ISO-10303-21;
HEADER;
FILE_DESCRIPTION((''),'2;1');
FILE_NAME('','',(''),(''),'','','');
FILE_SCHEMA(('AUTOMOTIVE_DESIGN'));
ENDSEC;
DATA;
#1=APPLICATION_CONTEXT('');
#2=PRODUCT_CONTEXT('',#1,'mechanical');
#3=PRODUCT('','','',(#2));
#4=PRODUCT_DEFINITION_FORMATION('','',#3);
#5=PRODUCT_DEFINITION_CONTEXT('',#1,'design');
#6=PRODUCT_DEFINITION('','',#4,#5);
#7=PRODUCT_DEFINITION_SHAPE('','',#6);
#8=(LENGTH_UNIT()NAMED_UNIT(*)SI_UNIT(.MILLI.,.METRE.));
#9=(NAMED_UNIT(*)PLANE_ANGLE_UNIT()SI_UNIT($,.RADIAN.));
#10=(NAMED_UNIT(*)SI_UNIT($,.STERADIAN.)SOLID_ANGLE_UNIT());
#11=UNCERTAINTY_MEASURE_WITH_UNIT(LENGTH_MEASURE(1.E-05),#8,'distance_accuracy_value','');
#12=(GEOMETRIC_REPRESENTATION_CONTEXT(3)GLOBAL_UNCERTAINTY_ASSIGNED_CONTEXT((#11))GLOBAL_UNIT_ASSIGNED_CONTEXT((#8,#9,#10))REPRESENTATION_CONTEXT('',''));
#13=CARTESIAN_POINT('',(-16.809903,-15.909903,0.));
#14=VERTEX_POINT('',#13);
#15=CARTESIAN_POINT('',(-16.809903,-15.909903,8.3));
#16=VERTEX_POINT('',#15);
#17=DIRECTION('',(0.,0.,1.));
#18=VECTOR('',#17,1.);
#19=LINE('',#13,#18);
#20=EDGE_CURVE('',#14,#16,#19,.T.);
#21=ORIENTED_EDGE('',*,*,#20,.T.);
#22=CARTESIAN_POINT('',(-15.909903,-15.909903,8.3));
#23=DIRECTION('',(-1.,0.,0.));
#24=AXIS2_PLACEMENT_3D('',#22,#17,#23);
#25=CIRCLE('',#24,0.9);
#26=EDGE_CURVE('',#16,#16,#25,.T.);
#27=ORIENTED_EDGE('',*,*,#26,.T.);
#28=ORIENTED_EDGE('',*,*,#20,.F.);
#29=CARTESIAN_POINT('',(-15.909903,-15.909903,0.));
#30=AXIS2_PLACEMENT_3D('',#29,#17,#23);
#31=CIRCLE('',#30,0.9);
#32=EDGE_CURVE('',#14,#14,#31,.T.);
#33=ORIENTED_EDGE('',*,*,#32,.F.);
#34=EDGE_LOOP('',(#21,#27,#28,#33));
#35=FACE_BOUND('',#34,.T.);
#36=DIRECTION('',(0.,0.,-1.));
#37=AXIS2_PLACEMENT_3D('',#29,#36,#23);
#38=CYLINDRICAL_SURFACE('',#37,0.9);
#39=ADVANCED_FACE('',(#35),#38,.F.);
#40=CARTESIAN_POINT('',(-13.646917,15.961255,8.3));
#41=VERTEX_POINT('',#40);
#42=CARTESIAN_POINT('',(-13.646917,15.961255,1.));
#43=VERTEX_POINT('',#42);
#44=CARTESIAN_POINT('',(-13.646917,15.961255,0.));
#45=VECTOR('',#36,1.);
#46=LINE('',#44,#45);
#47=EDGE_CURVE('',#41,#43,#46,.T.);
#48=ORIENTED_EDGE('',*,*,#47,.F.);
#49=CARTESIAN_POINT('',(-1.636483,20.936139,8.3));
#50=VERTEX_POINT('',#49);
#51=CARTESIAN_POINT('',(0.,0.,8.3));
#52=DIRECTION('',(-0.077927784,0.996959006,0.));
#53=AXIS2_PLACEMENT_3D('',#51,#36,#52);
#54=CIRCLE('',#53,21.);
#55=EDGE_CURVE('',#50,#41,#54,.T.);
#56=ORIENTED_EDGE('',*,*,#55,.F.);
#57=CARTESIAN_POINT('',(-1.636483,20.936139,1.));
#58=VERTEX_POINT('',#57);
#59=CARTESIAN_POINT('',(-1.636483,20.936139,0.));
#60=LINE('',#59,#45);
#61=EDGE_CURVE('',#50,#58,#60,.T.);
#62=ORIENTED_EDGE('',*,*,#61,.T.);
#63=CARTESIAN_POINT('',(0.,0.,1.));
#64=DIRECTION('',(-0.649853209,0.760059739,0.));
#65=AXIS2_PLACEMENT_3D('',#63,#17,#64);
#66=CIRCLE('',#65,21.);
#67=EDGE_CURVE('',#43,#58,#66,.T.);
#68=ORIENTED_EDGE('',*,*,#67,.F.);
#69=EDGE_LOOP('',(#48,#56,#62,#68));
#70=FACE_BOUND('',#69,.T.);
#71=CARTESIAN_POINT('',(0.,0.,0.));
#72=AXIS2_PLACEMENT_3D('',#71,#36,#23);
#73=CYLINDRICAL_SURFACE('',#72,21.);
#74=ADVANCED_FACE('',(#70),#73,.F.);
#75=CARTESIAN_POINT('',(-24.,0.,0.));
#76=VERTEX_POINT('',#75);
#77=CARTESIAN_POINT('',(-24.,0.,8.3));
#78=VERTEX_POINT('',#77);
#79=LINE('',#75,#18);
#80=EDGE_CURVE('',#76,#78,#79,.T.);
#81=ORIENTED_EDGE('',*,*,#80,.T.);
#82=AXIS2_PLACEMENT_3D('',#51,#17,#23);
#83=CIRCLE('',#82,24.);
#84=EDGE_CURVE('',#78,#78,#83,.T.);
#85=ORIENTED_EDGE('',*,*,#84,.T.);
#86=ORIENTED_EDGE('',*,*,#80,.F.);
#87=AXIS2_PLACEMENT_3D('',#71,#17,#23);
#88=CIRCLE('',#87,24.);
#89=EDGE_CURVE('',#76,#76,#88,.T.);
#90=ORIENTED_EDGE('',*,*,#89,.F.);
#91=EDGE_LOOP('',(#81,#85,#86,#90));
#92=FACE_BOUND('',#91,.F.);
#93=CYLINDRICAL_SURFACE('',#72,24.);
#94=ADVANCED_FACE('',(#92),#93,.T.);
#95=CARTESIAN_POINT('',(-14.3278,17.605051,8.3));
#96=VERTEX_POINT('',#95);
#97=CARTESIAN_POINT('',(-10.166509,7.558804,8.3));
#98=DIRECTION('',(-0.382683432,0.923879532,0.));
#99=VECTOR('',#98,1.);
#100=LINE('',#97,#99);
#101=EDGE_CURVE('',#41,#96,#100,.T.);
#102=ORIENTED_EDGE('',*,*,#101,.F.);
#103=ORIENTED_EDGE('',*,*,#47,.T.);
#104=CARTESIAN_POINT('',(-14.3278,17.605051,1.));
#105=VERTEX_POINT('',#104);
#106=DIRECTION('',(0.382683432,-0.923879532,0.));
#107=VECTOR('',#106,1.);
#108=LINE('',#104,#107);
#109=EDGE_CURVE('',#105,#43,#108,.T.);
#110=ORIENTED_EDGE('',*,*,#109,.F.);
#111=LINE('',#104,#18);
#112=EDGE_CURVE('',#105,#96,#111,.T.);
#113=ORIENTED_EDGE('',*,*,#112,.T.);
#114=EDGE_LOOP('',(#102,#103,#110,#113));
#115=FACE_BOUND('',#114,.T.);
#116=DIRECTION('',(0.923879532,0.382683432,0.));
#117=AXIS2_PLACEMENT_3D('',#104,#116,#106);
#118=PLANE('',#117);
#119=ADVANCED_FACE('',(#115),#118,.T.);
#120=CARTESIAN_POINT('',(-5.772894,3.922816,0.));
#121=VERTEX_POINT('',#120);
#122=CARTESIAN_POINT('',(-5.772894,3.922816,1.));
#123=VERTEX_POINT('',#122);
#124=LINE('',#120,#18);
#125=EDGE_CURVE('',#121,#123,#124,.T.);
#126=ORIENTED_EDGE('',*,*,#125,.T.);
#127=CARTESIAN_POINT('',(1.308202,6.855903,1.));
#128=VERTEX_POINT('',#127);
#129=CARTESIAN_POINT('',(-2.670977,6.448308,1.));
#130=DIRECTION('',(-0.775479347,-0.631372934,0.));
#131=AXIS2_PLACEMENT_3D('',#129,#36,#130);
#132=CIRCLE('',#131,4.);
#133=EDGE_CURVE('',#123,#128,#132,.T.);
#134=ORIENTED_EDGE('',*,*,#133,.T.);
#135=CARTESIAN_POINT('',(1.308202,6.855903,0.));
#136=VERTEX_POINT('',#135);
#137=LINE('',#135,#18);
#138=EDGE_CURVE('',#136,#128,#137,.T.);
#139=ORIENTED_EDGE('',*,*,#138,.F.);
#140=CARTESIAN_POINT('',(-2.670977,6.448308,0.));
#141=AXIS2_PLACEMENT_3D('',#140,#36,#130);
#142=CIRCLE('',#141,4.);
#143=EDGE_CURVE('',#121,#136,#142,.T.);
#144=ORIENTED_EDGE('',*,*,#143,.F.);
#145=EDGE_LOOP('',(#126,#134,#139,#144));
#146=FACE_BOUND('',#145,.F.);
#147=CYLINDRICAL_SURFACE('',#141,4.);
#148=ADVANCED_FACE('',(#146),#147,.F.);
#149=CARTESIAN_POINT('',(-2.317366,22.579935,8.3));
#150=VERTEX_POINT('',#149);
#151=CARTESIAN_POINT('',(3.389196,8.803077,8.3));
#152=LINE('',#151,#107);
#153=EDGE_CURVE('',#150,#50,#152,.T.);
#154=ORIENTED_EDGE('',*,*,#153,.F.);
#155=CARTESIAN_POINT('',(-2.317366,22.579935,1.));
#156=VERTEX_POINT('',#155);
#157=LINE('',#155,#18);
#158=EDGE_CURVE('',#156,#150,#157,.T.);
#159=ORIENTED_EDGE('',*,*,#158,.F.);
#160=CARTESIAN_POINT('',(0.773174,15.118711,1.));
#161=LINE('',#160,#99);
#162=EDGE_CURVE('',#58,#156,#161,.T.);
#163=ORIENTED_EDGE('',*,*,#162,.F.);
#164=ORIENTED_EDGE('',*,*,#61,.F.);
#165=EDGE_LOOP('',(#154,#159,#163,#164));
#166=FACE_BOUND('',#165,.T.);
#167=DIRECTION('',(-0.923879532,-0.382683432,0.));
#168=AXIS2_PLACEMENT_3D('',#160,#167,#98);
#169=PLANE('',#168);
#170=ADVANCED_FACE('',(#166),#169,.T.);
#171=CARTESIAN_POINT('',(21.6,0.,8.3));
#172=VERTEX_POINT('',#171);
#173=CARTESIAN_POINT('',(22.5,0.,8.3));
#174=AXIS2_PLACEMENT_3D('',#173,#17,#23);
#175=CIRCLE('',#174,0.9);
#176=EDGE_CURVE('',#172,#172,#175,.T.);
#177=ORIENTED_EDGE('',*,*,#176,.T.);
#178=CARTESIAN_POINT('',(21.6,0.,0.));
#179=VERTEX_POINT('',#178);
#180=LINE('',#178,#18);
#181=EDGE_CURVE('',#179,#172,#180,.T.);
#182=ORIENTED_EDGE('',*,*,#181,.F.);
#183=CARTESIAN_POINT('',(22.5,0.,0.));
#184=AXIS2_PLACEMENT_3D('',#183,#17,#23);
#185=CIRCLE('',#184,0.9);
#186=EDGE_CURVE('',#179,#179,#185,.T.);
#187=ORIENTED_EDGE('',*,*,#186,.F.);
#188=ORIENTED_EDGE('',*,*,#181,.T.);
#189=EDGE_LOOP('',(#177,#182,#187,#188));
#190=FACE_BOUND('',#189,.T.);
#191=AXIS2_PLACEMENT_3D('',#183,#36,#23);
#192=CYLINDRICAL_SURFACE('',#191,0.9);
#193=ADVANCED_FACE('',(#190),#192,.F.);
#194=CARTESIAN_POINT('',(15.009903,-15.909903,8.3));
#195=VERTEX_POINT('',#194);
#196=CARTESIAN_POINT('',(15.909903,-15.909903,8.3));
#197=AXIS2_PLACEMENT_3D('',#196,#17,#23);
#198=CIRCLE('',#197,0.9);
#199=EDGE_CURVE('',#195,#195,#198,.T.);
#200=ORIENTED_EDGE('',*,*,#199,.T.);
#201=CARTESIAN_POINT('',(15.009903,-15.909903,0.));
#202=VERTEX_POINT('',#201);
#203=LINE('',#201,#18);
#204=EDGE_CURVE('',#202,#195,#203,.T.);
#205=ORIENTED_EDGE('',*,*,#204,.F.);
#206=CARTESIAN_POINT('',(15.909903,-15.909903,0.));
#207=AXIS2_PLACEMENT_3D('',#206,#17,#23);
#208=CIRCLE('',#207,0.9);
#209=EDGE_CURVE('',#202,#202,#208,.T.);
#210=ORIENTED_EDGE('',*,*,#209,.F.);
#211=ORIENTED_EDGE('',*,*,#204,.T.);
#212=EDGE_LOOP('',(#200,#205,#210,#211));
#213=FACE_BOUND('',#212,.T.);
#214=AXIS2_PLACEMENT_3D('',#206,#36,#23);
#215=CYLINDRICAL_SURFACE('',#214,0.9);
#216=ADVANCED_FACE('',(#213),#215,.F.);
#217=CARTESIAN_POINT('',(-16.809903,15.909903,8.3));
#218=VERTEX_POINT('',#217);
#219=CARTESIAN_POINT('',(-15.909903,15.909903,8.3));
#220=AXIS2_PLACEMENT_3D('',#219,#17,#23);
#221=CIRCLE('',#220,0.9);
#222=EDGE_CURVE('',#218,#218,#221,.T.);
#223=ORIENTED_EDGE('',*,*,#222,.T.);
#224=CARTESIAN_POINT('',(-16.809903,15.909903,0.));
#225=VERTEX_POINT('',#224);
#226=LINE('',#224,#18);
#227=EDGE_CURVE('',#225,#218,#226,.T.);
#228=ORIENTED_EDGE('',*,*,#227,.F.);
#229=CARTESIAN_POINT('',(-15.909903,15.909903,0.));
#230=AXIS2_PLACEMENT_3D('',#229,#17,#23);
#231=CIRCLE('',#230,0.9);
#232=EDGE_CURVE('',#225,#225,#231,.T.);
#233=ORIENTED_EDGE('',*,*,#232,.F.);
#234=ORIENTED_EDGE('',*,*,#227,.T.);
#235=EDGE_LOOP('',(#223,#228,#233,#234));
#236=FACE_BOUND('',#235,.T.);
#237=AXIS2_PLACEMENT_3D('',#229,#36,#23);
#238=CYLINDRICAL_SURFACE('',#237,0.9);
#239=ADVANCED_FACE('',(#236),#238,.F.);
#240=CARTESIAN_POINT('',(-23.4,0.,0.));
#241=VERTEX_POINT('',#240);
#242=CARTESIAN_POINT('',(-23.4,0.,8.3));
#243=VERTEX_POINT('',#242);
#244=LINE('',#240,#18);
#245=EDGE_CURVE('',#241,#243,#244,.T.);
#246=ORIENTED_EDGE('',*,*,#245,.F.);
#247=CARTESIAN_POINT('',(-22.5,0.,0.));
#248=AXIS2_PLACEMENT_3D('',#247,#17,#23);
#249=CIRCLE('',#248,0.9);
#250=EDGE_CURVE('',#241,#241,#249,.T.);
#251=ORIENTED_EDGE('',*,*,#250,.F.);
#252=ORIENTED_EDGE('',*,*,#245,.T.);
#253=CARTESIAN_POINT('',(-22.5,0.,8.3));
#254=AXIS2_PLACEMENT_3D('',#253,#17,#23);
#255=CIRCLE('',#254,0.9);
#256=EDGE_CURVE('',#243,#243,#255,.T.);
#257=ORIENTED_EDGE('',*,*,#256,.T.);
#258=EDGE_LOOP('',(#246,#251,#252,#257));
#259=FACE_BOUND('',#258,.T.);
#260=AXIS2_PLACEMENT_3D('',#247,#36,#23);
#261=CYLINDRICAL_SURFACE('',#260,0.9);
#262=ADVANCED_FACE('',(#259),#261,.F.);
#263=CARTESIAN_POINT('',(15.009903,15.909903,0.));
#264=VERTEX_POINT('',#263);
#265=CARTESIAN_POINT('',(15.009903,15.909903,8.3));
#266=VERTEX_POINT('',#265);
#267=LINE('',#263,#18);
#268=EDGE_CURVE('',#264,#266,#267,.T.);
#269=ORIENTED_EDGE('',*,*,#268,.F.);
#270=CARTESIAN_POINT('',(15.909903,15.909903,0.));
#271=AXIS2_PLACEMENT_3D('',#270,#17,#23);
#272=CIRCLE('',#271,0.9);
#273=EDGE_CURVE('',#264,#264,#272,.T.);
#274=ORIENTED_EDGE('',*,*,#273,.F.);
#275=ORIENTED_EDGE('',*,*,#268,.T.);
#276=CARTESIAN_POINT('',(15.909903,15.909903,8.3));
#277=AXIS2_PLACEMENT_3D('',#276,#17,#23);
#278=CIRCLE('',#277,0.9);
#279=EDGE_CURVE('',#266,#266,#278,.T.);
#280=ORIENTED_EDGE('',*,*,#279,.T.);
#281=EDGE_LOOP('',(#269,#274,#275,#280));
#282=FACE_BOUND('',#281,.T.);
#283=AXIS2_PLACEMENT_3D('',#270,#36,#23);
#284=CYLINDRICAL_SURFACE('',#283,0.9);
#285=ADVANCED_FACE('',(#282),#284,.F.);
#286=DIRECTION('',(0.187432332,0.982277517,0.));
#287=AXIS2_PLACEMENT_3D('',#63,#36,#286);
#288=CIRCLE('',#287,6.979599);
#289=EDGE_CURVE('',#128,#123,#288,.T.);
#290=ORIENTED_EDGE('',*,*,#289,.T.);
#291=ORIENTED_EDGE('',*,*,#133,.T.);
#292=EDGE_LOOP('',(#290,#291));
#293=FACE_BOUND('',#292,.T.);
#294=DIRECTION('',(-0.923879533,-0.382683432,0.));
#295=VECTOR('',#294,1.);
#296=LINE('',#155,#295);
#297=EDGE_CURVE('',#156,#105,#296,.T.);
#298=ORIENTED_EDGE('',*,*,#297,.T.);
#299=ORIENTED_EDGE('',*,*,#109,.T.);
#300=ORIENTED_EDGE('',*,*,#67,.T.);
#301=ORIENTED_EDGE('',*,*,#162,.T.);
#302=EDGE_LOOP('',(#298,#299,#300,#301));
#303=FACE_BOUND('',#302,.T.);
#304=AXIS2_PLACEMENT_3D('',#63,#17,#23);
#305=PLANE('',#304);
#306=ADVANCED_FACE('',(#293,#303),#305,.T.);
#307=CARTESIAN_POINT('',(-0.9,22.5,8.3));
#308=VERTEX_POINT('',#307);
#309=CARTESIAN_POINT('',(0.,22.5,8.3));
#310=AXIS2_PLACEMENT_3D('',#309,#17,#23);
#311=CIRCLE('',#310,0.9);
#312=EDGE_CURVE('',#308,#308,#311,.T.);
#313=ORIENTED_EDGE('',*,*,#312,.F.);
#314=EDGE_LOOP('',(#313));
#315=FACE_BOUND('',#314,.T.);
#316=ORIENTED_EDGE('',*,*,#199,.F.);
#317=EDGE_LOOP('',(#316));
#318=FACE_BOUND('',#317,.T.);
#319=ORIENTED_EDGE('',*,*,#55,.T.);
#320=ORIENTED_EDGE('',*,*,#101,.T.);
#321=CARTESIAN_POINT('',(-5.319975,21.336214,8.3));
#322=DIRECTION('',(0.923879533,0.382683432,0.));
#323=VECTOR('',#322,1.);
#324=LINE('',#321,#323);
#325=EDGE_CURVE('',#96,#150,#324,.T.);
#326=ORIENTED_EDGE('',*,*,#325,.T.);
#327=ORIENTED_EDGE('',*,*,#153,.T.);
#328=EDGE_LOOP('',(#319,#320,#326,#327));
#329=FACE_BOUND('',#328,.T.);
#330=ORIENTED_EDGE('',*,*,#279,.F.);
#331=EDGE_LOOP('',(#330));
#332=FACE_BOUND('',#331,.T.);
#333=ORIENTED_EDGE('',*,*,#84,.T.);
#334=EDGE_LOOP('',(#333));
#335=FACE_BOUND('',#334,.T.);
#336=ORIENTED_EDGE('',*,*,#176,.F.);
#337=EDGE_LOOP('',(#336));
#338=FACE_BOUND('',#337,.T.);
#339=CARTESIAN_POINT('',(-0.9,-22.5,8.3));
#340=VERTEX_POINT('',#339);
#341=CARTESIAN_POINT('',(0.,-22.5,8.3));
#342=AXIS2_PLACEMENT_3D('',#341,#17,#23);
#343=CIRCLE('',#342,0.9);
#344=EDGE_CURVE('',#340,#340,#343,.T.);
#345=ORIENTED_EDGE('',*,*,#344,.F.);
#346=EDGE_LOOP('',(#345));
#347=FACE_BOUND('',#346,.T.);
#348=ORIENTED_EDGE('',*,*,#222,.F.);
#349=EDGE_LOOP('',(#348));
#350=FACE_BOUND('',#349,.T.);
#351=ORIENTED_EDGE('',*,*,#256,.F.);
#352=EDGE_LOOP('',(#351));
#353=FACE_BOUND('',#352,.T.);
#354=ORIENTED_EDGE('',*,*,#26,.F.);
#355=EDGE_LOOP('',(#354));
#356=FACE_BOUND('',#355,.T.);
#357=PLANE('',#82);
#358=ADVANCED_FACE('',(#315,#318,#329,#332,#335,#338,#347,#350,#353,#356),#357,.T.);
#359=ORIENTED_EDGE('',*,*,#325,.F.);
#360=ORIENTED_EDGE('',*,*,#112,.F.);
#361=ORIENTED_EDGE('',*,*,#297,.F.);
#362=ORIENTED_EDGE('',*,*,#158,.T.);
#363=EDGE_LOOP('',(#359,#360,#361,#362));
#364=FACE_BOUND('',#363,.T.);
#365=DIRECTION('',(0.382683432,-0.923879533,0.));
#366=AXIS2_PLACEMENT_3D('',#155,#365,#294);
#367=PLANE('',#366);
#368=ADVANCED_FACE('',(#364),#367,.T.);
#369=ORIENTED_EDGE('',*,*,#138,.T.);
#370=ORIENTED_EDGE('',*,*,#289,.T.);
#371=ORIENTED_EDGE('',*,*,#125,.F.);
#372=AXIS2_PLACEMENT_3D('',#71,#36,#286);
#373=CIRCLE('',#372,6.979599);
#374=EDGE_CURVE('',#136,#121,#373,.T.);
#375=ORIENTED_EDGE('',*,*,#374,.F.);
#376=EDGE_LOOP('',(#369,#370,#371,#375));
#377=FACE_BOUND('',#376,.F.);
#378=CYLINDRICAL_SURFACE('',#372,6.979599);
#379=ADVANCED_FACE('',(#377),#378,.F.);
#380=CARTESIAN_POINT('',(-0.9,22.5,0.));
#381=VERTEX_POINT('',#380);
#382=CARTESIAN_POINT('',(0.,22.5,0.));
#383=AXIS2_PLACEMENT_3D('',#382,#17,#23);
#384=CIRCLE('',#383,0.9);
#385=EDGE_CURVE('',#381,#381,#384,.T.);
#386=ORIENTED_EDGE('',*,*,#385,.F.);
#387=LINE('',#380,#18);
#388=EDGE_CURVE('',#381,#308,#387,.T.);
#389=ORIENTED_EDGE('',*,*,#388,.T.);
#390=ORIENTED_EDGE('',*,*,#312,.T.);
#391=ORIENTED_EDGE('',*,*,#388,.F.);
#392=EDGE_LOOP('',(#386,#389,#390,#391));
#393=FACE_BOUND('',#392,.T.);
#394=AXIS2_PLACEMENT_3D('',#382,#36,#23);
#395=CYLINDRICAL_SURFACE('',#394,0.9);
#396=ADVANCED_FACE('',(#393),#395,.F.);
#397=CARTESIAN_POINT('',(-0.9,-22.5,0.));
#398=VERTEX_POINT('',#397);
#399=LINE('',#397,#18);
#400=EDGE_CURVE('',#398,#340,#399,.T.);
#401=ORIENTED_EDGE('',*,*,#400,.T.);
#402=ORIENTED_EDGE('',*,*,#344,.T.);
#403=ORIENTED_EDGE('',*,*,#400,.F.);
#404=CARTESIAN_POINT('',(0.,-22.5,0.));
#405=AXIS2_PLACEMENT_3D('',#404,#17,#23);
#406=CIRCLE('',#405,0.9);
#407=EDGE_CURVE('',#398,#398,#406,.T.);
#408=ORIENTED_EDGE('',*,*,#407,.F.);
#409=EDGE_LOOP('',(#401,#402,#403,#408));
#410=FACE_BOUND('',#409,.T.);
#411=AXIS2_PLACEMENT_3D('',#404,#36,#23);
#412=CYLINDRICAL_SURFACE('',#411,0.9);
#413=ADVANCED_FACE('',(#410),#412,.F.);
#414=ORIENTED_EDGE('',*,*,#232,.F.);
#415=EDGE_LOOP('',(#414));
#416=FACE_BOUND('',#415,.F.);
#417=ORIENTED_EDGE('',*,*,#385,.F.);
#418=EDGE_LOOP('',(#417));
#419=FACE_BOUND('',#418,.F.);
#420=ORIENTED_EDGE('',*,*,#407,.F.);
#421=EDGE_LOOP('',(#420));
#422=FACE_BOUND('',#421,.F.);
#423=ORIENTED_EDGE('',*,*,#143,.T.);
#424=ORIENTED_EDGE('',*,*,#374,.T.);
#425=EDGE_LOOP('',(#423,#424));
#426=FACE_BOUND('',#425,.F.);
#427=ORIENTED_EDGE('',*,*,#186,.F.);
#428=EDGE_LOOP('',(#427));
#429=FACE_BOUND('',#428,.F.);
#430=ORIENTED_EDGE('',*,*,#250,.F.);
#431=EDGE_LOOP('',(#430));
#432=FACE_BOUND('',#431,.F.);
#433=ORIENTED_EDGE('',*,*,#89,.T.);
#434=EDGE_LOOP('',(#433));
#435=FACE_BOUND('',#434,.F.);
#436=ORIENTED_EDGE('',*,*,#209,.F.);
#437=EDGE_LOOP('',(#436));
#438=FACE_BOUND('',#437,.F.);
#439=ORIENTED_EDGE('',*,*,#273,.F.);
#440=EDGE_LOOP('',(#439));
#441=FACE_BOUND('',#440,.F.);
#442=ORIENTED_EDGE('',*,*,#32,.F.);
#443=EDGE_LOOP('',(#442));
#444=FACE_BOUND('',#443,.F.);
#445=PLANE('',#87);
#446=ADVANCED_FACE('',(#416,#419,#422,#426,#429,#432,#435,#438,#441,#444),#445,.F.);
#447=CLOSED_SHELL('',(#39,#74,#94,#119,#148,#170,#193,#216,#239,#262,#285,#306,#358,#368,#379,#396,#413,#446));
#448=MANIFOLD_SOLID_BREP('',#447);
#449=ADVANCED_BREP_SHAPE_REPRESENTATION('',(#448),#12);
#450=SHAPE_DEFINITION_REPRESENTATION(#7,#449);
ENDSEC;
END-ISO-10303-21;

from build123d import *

# Parameters (mm, degrees)
ESQUISSE1_R             = 24
ESQUISSE1_R_2           = 21
ESQUISSE1_R_3           = 0.9
BOSS_EXTRU_1_DEPTH      = 8.3
ESQUISSE2_R             = 21
BOSS_EXTRU_2_DEPTH      = 1
ENL_V_MAT_EXTRU_1_DEPTH = 35.941236383
ENL_V_MAT_EXTRU_2_DEPTH = 35.71728676


with BuildPart() as part:
    # Esquisse1 → Boss.-Extru.1 (new body)
    with BuildSketch(Plane.XY):
        with Locations(Location((0, 0, 0), (0, 0, 180))):
            Circle(ESQUISSE1_R)
        with Locations(Location((0, 0, 0), (0, 0, 180))):
            Circle(ESQUISSE1_R_2, mode=Mode.SUBTRACT)
        with Locations(Location((22.5, 0, 0), (0, 0, 180))):
            Circle(ESQUISSE1_R_3, mode=Mode.SUBTRACT)
        with Locations(Location((15.909902577, -15.909902577, 0), (0, 0, 180))):
            Circle(ESQUISSE1_R_3, mode=Mode.SUBTRACT)
        with Locations(Location((0, -22.5, 0), (0, 0, 180))):
            Circle(ESQUISSE1_R_3, mode=Mode.SUBTRACT)
        with Locations(Location((-15.909902577, -15.909902577, 0), (0, 0, 180))):
            Circle(ESQUISSE1_R_3, mode=Mode.SUBTRACT)
        with Locations(Location((-22.5, 0, 0), (0, 0, 180))):
            Circle(ESQUISSE1_R_3, mode=Mode.SUBTRACT)
        with Locations(Location((-15.909902577, 15.909902577, 0), (0, 0, 180))):
            Circle(ESQUISSE1_R_3, mode=Mode.SUBTRACT)
        with Locations(Location((0, 22.5, 0), (0, 0, 180))):
            Circle(ESQUISSE1_R_3, mode=Mode.SUBTRACT)
        with Locations(Location((15.909902577, 15.909902577, 0), (0, 0, 180))):
            Circle(ESQUISSE1_R_3, mode=Mode.SUBTRACT)
    extrude(amount=BOSS_EXTRU_1_DEPTH)

    # Esquisse2 → Boss.-Extru.2 (add)
    with BuildSketch(Plane.XY):
        with Locations(Location((0, 0, 0), (0, 0, 180))):
            Circle(ESQUISSE2_R)
    extrude(amount=BOSS_EXTRU_2_DEPTH)

    # Esquisse5 → Enlèv. mat.-Extru.1 (cut, through all)
    with BuildSketch(Plane(origin=(0, 0, 0), x_dir=(-1, 0, 0), z_dir=(0, 0, -1))):
        with BuildLine():
            ThreePointArc((-1.30820243, 6.85590272), (-2.670976724, -6.448308231), (5.772894113, 3.922816495))
            ThreePointArc((5.772894113, 3.922816495), (4.201710453, 10.143826361), (-1.30820243, 6.85590272))
        make_face()
    extrude(amount=-ENL_V_MAT_EXTRU_1_DEPTH, mode=Mode.SUBTRACT)

    # Esquisse6 → Enlèv. mat.-Extru.2 (cut, through all)
    with BuildSketch(Plane.XY.offset(1)):
        Polygon((-2.317366162, 22.579935361), (-14.327800085, 17.60505074), (-11.237259755, 10.143826361), (0.773174168, 15.118710982), align=None)
    extrude(amount=ENL_V_MAT_EXTRU_2_DEPTH, mode=Mode.SUBTRACT)


solid = part.part
